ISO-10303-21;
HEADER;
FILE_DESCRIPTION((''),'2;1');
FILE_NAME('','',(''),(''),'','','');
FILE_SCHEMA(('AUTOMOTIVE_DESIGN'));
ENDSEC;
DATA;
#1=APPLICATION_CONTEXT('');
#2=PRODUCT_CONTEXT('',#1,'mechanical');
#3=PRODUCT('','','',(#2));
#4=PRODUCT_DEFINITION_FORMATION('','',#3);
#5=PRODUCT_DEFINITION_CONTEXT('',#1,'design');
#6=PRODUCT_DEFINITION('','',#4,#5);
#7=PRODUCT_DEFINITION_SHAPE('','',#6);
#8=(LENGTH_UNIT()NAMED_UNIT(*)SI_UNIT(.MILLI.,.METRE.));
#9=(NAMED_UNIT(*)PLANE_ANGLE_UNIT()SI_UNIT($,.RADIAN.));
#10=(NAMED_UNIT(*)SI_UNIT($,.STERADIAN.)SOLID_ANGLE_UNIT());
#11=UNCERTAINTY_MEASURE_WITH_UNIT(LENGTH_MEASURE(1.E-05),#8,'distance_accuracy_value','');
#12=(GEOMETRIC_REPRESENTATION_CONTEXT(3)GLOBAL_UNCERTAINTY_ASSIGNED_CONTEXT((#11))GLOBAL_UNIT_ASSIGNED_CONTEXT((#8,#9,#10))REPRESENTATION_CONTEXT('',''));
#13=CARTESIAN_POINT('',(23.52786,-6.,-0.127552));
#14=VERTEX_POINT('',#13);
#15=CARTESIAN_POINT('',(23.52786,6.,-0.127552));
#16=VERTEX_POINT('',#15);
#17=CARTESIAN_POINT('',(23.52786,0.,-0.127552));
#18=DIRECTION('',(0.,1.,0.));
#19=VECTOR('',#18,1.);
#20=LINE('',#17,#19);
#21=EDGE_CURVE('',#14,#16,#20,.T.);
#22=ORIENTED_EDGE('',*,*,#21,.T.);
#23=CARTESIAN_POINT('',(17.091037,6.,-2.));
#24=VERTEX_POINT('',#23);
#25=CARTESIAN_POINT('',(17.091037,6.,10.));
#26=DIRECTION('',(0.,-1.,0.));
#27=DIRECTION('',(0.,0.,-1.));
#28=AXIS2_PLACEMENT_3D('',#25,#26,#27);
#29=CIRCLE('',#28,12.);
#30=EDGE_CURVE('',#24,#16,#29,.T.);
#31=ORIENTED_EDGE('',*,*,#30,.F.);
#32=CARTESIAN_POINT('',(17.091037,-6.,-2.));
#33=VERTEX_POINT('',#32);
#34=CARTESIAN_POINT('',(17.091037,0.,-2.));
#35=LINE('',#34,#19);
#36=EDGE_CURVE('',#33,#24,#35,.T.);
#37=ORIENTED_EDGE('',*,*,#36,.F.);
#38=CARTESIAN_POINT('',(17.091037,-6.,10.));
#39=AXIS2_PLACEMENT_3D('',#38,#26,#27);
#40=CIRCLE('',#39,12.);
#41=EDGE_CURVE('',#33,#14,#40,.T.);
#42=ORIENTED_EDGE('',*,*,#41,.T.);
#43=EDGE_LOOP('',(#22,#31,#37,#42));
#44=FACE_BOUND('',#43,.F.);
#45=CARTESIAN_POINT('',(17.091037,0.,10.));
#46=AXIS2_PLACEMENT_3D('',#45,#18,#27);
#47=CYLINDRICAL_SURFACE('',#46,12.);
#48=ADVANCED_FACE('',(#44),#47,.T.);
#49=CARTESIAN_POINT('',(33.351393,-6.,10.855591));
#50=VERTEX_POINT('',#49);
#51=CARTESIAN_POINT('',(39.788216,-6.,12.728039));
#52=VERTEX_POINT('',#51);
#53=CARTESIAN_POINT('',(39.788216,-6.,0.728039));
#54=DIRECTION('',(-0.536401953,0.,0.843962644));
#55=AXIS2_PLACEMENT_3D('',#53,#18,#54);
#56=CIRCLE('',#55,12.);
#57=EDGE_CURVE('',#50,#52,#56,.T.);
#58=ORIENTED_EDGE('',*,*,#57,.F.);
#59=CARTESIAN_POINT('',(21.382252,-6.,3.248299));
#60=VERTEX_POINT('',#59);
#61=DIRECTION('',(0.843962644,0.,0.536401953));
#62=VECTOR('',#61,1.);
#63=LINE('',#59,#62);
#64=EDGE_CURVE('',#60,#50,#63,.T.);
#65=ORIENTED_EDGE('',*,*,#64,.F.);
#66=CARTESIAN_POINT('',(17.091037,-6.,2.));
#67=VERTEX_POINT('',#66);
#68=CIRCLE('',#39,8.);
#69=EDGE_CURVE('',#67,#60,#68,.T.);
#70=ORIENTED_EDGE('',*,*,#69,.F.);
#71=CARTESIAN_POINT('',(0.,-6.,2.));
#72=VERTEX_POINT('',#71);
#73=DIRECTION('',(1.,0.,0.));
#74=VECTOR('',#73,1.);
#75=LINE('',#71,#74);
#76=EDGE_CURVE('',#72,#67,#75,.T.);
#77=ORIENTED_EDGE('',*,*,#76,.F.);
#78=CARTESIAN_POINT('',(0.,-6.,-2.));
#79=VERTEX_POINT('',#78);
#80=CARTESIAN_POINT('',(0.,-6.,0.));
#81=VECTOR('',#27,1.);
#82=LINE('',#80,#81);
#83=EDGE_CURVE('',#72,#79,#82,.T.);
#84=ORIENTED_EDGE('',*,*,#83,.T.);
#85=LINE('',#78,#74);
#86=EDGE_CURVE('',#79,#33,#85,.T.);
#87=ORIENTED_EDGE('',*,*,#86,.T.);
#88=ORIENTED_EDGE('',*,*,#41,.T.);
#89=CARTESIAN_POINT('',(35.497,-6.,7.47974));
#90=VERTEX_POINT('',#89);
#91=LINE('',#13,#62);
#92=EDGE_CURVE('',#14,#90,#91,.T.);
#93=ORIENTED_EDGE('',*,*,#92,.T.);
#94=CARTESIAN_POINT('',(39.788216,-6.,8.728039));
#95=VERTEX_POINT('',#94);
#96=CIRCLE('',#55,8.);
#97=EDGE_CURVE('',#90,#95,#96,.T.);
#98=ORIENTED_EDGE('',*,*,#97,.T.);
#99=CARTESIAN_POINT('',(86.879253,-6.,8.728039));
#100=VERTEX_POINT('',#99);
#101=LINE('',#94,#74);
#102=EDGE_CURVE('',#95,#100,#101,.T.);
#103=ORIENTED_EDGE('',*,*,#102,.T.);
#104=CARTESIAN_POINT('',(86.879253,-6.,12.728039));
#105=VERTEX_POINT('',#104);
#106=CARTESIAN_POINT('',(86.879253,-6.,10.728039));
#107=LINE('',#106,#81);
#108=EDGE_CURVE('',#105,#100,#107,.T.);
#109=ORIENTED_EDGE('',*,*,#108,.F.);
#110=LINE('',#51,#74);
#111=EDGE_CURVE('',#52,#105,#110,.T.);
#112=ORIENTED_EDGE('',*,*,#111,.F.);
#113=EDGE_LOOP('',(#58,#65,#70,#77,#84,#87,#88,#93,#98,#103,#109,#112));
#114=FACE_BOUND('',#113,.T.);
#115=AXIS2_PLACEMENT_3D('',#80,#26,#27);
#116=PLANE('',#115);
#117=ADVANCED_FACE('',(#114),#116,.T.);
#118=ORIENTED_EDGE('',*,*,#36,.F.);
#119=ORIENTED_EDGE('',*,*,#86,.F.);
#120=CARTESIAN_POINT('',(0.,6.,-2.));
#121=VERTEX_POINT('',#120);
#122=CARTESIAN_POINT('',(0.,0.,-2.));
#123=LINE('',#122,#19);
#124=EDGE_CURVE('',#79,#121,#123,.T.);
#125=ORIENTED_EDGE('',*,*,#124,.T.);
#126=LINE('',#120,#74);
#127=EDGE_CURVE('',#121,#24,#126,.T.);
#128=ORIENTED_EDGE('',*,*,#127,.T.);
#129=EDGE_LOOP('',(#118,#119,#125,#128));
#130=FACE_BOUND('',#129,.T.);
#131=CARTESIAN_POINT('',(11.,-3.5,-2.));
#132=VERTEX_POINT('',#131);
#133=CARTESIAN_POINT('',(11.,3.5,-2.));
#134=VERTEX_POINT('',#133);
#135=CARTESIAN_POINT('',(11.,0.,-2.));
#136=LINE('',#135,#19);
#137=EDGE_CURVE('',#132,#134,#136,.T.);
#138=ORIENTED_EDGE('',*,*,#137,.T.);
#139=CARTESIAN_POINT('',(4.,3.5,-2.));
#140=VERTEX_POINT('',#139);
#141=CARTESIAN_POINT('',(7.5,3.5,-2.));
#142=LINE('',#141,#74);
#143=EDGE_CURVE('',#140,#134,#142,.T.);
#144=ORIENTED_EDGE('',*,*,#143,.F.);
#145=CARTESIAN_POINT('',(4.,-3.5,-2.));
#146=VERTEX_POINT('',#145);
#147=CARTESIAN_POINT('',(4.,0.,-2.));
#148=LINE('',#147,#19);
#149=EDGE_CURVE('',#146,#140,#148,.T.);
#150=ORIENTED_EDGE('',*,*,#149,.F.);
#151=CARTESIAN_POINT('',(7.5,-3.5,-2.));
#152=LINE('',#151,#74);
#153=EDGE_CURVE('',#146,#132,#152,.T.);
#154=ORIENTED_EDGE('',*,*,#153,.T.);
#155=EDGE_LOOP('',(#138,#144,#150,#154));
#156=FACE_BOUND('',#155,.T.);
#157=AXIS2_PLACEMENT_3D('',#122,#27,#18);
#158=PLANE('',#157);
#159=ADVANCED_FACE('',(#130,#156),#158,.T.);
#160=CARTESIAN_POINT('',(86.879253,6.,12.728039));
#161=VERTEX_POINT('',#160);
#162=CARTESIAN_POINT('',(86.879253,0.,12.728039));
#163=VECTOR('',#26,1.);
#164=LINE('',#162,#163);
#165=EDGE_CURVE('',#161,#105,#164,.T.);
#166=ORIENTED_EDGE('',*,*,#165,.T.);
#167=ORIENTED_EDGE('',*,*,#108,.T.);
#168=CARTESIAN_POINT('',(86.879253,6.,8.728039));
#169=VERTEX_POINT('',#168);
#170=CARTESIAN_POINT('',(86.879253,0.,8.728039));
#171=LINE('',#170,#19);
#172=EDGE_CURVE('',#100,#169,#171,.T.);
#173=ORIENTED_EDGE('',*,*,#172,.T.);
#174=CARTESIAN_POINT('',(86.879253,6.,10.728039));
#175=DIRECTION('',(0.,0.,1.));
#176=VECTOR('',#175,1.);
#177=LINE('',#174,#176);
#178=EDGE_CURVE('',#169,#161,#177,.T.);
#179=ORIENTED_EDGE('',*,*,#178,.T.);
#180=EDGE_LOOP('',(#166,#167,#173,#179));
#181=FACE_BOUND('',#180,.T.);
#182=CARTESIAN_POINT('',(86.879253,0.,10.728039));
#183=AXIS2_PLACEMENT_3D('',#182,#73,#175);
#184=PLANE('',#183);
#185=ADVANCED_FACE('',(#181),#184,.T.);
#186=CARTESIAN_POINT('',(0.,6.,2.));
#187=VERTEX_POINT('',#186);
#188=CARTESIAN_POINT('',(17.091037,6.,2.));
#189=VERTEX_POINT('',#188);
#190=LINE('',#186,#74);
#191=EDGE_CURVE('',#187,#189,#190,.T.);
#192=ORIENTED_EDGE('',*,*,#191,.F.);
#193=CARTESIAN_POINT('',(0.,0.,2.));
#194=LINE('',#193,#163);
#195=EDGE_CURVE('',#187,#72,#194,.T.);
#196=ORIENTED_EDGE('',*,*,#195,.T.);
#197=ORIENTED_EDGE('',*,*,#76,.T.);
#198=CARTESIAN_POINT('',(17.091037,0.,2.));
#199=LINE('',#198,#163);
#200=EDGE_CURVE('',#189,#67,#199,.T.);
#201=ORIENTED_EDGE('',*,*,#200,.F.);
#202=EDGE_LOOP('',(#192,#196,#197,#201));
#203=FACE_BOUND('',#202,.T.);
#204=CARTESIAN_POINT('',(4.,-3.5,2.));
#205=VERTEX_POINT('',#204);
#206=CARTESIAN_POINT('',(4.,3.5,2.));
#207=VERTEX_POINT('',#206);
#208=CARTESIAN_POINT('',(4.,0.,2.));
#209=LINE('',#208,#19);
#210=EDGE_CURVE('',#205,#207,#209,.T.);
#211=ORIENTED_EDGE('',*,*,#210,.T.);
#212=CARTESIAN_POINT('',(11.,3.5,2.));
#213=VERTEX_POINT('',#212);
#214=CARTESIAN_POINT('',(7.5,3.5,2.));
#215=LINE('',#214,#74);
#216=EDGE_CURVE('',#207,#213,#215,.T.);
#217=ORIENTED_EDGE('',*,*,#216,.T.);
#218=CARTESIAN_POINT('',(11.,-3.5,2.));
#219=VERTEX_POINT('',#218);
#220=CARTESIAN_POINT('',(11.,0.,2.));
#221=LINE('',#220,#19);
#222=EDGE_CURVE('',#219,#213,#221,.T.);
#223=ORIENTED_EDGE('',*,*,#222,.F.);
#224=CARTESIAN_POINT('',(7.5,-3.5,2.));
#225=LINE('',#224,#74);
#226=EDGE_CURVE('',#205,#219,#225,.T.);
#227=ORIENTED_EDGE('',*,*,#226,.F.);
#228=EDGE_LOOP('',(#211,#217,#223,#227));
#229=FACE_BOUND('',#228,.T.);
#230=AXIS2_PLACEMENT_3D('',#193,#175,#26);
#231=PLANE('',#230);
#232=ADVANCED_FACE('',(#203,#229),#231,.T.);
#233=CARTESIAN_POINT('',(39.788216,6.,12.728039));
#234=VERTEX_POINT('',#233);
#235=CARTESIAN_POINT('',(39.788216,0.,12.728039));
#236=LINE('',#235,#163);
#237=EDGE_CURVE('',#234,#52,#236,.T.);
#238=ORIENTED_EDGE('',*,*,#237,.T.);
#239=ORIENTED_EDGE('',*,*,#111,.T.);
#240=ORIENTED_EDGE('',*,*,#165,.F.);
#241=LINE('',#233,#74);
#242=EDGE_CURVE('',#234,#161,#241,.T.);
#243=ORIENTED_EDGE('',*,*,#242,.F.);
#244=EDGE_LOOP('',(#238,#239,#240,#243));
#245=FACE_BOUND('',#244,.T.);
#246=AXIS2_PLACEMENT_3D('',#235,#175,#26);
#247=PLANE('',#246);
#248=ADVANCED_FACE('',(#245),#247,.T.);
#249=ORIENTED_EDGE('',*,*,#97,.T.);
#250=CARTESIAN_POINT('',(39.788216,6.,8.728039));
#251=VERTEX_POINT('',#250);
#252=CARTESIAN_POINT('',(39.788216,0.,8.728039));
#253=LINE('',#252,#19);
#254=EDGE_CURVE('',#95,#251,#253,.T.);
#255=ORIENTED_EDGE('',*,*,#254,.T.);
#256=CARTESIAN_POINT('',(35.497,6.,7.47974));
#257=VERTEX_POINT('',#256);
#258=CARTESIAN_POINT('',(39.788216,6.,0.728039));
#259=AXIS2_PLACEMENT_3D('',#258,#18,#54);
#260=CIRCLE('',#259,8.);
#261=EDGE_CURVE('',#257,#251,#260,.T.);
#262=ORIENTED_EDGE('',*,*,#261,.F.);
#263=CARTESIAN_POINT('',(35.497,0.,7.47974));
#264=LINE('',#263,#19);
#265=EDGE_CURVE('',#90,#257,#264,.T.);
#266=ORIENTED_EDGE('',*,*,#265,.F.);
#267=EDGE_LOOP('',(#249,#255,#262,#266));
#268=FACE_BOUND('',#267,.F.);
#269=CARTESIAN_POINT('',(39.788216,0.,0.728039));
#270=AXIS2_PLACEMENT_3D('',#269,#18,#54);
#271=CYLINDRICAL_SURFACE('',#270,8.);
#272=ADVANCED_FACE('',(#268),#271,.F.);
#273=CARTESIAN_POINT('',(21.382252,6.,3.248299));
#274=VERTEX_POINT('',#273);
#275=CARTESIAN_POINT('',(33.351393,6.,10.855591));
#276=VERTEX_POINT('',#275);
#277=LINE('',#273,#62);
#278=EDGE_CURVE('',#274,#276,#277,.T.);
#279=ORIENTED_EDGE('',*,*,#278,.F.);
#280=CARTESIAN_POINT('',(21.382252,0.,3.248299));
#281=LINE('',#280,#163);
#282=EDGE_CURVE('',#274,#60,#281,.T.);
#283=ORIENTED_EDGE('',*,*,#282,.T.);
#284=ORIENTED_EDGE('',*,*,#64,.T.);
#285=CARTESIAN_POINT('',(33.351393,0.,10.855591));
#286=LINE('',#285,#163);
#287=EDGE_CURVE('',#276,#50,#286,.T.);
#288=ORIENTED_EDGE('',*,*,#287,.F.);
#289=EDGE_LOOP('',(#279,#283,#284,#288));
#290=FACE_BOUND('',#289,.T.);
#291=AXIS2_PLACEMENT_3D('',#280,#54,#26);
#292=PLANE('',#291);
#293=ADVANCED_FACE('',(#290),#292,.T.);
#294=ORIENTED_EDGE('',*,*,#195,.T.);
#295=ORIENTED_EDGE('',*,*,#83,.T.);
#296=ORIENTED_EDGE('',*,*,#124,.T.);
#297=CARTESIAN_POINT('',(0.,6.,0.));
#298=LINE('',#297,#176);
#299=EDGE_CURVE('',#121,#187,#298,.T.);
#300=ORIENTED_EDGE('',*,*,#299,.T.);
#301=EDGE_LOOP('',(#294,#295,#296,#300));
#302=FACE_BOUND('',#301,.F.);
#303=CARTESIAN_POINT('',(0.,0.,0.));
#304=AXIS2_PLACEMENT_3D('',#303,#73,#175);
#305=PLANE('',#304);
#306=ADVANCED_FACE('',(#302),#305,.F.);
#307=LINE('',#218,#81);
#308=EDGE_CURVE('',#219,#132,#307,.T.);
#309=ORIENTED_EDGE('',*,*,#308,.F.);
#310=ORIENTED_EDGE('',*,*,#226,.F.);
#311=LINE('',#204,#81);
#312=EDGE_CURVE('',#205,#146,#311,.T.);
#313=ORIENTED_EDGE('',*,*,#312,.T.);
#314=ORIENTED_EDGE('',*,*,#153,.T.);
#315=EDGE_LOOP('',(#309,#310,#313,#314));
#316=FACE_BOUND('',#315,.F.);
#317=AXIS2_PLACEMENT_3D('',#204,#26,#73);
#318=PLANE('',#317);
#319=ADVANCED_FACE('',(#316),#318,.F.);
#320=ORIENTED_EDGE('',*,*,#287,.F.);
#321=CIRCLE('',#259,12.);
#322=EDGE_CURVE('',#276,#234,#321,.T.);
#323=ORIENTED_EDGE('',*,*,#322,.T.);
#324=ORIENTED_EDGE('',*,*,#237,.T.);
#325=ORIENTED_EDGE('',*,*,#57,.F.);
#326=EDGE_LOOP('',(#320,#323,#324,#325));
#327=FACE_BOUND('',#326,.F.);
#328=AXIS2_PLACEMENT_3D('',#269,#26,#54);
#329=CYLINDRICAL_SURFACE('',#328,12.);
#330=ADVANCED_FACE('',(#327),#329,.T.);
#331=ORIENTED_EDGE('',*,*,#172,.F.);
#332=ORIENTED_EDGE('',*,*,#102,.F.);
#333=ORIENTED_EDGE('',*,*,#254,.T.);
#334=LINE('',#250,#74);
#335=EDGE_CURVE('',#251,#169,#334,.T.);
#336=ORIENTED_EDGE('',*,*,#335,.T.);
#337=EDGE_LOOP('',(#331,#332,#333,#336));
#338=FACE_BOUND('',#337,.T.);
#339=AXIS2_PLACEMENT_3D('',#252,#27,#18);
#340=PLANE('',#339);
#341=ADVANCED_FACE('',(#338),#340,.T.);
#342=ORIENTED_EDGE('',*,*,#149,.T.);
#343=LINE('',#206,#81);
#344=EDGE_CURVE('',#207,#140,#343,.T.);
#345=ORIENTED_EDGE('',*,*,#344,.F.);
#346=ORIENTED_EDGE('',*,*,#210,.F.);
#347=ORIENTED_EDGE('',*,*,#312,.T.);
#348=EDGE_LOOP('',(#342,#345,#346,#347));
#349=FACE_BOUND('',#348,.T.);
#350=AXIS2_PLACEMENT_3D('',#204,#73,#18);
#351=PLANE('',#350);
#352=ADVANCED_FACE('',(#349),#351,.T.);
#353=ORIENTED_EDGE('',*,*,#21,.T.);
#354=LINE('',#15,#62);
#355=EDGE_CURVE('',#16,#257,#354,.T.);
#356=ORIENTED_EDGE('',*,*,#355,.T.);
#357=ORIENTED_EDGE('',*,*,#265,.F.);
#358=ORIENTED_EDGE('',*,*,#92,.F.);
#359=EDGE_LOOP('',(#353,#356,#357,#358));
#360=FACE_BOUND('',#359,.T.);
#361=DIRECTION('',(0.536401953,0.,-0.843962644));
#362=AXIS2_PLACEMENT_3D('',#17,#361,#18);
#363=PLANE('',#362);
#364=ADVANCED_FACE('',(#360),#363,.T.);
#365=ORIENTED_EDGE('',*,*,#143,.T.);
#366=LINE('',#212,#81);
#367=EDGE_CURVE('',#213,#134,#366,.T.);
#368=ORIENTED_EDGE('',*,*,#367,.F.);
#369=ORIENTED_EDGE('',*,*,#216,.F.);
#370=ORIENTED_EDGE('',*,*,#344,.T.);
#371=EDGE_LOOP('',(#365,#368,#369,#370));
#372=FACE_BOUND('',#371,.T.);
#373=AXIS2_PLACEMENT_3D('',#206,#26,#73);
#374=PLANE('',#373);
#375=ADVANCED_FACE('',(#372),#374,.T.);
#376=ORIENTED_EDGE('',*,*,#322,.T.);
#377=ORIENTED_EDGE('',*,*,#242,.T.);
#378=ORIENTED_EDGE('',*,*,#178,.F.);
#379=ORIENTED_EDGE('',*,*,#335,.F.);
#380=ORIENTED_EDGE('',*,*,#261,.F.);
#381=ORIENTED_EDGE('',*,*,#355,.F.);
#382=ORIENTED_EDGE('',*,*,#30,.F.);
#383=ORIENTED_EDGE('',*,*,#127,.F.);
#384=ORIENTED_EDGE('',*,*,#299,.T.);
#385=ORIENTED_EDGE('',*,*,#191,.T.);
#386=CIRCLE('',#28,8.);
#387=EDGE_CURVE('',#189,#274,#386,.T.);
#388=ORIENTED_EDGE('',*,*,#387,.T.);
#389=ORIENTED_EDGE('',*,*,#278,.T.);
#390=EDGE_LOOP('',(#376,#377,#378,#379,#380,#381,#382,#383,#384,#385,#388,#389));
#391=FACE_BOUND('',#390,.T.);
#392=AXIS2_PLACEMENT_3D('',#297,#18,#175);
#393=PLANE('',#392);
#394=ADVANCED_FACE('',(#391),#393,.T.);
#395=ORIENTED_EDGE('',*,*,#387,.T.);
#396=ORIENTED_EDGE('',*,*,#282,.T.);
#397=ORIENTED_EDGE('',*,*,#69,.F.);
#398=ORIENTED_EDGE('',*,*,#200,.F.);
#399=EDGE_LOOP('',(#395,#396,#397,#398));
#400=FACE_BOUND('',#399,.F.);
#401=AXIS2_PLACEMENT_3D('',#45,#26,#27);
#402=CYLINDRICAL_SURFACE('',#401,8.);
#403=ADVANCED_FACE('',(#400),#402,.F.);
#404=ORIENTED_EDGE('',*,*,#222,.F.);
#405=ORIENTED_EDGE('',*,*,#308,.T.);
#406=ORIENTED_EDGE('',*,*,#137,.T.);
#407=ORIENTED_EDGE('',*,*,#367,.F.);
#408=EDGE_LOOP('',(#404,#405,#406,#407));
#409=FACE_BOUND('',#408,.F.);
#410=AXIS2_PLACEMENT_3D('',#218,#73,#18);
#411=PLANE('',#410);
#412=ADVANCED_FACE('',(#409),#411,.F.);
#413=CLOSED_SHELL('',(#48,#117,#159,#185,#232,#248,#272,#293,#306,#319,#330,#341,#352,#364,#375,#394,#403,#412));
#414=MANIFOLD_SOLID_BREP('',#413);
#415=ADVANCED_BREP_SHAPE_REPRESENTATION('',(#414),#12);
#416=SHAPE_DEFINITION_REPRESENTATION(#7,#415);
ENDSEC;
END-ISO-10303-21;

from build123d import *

# Parameters (mm, degrees)
F1_W     = 12
F1_H     = 4
F3_W     = 7
F3_H     = 7
F4_DEPTH = 4


with BuildPart() as f2:
    # F2: sweep along a path in F0
    with BuildLine(Plane.XZ) as f2_path:
        Line((0, 0), (17.0910367709, 0))
        ThreePointArc((17.0910367709, 0), (19.8842191466, 0.3980141525), (22.4550562991, 1.5603735568))
        Line((22.4550562991, 1.5603735568), (34.4241965874, 9.1676654996))
        ThreePointArc((34.4241965874, 9.1676654996), (36.9950337399, 10.3300249038), (39.7882161156, 10.7280390563))
        Line((39.7882161156, 10.7280390563), (86.8792528865, 10.7280390563))
    # F1 (on Right) → F2 (sweep)
    with BuildSketch(Plane.YZ):
        Rectangle(F1_W, F1_H)
    sweep(path=f2_path.line)

    # F3 (on face) → F4 (cut, through all)
    with BuildSketch(Plane.XY.offset(2)):
        with Locations((7.5, 0)):
            Rectangle(F3_W, F3_H)
    extrude(amount=-F4_DEPTH, mode=Mode.SUBTRACT)


solid = f2.part
